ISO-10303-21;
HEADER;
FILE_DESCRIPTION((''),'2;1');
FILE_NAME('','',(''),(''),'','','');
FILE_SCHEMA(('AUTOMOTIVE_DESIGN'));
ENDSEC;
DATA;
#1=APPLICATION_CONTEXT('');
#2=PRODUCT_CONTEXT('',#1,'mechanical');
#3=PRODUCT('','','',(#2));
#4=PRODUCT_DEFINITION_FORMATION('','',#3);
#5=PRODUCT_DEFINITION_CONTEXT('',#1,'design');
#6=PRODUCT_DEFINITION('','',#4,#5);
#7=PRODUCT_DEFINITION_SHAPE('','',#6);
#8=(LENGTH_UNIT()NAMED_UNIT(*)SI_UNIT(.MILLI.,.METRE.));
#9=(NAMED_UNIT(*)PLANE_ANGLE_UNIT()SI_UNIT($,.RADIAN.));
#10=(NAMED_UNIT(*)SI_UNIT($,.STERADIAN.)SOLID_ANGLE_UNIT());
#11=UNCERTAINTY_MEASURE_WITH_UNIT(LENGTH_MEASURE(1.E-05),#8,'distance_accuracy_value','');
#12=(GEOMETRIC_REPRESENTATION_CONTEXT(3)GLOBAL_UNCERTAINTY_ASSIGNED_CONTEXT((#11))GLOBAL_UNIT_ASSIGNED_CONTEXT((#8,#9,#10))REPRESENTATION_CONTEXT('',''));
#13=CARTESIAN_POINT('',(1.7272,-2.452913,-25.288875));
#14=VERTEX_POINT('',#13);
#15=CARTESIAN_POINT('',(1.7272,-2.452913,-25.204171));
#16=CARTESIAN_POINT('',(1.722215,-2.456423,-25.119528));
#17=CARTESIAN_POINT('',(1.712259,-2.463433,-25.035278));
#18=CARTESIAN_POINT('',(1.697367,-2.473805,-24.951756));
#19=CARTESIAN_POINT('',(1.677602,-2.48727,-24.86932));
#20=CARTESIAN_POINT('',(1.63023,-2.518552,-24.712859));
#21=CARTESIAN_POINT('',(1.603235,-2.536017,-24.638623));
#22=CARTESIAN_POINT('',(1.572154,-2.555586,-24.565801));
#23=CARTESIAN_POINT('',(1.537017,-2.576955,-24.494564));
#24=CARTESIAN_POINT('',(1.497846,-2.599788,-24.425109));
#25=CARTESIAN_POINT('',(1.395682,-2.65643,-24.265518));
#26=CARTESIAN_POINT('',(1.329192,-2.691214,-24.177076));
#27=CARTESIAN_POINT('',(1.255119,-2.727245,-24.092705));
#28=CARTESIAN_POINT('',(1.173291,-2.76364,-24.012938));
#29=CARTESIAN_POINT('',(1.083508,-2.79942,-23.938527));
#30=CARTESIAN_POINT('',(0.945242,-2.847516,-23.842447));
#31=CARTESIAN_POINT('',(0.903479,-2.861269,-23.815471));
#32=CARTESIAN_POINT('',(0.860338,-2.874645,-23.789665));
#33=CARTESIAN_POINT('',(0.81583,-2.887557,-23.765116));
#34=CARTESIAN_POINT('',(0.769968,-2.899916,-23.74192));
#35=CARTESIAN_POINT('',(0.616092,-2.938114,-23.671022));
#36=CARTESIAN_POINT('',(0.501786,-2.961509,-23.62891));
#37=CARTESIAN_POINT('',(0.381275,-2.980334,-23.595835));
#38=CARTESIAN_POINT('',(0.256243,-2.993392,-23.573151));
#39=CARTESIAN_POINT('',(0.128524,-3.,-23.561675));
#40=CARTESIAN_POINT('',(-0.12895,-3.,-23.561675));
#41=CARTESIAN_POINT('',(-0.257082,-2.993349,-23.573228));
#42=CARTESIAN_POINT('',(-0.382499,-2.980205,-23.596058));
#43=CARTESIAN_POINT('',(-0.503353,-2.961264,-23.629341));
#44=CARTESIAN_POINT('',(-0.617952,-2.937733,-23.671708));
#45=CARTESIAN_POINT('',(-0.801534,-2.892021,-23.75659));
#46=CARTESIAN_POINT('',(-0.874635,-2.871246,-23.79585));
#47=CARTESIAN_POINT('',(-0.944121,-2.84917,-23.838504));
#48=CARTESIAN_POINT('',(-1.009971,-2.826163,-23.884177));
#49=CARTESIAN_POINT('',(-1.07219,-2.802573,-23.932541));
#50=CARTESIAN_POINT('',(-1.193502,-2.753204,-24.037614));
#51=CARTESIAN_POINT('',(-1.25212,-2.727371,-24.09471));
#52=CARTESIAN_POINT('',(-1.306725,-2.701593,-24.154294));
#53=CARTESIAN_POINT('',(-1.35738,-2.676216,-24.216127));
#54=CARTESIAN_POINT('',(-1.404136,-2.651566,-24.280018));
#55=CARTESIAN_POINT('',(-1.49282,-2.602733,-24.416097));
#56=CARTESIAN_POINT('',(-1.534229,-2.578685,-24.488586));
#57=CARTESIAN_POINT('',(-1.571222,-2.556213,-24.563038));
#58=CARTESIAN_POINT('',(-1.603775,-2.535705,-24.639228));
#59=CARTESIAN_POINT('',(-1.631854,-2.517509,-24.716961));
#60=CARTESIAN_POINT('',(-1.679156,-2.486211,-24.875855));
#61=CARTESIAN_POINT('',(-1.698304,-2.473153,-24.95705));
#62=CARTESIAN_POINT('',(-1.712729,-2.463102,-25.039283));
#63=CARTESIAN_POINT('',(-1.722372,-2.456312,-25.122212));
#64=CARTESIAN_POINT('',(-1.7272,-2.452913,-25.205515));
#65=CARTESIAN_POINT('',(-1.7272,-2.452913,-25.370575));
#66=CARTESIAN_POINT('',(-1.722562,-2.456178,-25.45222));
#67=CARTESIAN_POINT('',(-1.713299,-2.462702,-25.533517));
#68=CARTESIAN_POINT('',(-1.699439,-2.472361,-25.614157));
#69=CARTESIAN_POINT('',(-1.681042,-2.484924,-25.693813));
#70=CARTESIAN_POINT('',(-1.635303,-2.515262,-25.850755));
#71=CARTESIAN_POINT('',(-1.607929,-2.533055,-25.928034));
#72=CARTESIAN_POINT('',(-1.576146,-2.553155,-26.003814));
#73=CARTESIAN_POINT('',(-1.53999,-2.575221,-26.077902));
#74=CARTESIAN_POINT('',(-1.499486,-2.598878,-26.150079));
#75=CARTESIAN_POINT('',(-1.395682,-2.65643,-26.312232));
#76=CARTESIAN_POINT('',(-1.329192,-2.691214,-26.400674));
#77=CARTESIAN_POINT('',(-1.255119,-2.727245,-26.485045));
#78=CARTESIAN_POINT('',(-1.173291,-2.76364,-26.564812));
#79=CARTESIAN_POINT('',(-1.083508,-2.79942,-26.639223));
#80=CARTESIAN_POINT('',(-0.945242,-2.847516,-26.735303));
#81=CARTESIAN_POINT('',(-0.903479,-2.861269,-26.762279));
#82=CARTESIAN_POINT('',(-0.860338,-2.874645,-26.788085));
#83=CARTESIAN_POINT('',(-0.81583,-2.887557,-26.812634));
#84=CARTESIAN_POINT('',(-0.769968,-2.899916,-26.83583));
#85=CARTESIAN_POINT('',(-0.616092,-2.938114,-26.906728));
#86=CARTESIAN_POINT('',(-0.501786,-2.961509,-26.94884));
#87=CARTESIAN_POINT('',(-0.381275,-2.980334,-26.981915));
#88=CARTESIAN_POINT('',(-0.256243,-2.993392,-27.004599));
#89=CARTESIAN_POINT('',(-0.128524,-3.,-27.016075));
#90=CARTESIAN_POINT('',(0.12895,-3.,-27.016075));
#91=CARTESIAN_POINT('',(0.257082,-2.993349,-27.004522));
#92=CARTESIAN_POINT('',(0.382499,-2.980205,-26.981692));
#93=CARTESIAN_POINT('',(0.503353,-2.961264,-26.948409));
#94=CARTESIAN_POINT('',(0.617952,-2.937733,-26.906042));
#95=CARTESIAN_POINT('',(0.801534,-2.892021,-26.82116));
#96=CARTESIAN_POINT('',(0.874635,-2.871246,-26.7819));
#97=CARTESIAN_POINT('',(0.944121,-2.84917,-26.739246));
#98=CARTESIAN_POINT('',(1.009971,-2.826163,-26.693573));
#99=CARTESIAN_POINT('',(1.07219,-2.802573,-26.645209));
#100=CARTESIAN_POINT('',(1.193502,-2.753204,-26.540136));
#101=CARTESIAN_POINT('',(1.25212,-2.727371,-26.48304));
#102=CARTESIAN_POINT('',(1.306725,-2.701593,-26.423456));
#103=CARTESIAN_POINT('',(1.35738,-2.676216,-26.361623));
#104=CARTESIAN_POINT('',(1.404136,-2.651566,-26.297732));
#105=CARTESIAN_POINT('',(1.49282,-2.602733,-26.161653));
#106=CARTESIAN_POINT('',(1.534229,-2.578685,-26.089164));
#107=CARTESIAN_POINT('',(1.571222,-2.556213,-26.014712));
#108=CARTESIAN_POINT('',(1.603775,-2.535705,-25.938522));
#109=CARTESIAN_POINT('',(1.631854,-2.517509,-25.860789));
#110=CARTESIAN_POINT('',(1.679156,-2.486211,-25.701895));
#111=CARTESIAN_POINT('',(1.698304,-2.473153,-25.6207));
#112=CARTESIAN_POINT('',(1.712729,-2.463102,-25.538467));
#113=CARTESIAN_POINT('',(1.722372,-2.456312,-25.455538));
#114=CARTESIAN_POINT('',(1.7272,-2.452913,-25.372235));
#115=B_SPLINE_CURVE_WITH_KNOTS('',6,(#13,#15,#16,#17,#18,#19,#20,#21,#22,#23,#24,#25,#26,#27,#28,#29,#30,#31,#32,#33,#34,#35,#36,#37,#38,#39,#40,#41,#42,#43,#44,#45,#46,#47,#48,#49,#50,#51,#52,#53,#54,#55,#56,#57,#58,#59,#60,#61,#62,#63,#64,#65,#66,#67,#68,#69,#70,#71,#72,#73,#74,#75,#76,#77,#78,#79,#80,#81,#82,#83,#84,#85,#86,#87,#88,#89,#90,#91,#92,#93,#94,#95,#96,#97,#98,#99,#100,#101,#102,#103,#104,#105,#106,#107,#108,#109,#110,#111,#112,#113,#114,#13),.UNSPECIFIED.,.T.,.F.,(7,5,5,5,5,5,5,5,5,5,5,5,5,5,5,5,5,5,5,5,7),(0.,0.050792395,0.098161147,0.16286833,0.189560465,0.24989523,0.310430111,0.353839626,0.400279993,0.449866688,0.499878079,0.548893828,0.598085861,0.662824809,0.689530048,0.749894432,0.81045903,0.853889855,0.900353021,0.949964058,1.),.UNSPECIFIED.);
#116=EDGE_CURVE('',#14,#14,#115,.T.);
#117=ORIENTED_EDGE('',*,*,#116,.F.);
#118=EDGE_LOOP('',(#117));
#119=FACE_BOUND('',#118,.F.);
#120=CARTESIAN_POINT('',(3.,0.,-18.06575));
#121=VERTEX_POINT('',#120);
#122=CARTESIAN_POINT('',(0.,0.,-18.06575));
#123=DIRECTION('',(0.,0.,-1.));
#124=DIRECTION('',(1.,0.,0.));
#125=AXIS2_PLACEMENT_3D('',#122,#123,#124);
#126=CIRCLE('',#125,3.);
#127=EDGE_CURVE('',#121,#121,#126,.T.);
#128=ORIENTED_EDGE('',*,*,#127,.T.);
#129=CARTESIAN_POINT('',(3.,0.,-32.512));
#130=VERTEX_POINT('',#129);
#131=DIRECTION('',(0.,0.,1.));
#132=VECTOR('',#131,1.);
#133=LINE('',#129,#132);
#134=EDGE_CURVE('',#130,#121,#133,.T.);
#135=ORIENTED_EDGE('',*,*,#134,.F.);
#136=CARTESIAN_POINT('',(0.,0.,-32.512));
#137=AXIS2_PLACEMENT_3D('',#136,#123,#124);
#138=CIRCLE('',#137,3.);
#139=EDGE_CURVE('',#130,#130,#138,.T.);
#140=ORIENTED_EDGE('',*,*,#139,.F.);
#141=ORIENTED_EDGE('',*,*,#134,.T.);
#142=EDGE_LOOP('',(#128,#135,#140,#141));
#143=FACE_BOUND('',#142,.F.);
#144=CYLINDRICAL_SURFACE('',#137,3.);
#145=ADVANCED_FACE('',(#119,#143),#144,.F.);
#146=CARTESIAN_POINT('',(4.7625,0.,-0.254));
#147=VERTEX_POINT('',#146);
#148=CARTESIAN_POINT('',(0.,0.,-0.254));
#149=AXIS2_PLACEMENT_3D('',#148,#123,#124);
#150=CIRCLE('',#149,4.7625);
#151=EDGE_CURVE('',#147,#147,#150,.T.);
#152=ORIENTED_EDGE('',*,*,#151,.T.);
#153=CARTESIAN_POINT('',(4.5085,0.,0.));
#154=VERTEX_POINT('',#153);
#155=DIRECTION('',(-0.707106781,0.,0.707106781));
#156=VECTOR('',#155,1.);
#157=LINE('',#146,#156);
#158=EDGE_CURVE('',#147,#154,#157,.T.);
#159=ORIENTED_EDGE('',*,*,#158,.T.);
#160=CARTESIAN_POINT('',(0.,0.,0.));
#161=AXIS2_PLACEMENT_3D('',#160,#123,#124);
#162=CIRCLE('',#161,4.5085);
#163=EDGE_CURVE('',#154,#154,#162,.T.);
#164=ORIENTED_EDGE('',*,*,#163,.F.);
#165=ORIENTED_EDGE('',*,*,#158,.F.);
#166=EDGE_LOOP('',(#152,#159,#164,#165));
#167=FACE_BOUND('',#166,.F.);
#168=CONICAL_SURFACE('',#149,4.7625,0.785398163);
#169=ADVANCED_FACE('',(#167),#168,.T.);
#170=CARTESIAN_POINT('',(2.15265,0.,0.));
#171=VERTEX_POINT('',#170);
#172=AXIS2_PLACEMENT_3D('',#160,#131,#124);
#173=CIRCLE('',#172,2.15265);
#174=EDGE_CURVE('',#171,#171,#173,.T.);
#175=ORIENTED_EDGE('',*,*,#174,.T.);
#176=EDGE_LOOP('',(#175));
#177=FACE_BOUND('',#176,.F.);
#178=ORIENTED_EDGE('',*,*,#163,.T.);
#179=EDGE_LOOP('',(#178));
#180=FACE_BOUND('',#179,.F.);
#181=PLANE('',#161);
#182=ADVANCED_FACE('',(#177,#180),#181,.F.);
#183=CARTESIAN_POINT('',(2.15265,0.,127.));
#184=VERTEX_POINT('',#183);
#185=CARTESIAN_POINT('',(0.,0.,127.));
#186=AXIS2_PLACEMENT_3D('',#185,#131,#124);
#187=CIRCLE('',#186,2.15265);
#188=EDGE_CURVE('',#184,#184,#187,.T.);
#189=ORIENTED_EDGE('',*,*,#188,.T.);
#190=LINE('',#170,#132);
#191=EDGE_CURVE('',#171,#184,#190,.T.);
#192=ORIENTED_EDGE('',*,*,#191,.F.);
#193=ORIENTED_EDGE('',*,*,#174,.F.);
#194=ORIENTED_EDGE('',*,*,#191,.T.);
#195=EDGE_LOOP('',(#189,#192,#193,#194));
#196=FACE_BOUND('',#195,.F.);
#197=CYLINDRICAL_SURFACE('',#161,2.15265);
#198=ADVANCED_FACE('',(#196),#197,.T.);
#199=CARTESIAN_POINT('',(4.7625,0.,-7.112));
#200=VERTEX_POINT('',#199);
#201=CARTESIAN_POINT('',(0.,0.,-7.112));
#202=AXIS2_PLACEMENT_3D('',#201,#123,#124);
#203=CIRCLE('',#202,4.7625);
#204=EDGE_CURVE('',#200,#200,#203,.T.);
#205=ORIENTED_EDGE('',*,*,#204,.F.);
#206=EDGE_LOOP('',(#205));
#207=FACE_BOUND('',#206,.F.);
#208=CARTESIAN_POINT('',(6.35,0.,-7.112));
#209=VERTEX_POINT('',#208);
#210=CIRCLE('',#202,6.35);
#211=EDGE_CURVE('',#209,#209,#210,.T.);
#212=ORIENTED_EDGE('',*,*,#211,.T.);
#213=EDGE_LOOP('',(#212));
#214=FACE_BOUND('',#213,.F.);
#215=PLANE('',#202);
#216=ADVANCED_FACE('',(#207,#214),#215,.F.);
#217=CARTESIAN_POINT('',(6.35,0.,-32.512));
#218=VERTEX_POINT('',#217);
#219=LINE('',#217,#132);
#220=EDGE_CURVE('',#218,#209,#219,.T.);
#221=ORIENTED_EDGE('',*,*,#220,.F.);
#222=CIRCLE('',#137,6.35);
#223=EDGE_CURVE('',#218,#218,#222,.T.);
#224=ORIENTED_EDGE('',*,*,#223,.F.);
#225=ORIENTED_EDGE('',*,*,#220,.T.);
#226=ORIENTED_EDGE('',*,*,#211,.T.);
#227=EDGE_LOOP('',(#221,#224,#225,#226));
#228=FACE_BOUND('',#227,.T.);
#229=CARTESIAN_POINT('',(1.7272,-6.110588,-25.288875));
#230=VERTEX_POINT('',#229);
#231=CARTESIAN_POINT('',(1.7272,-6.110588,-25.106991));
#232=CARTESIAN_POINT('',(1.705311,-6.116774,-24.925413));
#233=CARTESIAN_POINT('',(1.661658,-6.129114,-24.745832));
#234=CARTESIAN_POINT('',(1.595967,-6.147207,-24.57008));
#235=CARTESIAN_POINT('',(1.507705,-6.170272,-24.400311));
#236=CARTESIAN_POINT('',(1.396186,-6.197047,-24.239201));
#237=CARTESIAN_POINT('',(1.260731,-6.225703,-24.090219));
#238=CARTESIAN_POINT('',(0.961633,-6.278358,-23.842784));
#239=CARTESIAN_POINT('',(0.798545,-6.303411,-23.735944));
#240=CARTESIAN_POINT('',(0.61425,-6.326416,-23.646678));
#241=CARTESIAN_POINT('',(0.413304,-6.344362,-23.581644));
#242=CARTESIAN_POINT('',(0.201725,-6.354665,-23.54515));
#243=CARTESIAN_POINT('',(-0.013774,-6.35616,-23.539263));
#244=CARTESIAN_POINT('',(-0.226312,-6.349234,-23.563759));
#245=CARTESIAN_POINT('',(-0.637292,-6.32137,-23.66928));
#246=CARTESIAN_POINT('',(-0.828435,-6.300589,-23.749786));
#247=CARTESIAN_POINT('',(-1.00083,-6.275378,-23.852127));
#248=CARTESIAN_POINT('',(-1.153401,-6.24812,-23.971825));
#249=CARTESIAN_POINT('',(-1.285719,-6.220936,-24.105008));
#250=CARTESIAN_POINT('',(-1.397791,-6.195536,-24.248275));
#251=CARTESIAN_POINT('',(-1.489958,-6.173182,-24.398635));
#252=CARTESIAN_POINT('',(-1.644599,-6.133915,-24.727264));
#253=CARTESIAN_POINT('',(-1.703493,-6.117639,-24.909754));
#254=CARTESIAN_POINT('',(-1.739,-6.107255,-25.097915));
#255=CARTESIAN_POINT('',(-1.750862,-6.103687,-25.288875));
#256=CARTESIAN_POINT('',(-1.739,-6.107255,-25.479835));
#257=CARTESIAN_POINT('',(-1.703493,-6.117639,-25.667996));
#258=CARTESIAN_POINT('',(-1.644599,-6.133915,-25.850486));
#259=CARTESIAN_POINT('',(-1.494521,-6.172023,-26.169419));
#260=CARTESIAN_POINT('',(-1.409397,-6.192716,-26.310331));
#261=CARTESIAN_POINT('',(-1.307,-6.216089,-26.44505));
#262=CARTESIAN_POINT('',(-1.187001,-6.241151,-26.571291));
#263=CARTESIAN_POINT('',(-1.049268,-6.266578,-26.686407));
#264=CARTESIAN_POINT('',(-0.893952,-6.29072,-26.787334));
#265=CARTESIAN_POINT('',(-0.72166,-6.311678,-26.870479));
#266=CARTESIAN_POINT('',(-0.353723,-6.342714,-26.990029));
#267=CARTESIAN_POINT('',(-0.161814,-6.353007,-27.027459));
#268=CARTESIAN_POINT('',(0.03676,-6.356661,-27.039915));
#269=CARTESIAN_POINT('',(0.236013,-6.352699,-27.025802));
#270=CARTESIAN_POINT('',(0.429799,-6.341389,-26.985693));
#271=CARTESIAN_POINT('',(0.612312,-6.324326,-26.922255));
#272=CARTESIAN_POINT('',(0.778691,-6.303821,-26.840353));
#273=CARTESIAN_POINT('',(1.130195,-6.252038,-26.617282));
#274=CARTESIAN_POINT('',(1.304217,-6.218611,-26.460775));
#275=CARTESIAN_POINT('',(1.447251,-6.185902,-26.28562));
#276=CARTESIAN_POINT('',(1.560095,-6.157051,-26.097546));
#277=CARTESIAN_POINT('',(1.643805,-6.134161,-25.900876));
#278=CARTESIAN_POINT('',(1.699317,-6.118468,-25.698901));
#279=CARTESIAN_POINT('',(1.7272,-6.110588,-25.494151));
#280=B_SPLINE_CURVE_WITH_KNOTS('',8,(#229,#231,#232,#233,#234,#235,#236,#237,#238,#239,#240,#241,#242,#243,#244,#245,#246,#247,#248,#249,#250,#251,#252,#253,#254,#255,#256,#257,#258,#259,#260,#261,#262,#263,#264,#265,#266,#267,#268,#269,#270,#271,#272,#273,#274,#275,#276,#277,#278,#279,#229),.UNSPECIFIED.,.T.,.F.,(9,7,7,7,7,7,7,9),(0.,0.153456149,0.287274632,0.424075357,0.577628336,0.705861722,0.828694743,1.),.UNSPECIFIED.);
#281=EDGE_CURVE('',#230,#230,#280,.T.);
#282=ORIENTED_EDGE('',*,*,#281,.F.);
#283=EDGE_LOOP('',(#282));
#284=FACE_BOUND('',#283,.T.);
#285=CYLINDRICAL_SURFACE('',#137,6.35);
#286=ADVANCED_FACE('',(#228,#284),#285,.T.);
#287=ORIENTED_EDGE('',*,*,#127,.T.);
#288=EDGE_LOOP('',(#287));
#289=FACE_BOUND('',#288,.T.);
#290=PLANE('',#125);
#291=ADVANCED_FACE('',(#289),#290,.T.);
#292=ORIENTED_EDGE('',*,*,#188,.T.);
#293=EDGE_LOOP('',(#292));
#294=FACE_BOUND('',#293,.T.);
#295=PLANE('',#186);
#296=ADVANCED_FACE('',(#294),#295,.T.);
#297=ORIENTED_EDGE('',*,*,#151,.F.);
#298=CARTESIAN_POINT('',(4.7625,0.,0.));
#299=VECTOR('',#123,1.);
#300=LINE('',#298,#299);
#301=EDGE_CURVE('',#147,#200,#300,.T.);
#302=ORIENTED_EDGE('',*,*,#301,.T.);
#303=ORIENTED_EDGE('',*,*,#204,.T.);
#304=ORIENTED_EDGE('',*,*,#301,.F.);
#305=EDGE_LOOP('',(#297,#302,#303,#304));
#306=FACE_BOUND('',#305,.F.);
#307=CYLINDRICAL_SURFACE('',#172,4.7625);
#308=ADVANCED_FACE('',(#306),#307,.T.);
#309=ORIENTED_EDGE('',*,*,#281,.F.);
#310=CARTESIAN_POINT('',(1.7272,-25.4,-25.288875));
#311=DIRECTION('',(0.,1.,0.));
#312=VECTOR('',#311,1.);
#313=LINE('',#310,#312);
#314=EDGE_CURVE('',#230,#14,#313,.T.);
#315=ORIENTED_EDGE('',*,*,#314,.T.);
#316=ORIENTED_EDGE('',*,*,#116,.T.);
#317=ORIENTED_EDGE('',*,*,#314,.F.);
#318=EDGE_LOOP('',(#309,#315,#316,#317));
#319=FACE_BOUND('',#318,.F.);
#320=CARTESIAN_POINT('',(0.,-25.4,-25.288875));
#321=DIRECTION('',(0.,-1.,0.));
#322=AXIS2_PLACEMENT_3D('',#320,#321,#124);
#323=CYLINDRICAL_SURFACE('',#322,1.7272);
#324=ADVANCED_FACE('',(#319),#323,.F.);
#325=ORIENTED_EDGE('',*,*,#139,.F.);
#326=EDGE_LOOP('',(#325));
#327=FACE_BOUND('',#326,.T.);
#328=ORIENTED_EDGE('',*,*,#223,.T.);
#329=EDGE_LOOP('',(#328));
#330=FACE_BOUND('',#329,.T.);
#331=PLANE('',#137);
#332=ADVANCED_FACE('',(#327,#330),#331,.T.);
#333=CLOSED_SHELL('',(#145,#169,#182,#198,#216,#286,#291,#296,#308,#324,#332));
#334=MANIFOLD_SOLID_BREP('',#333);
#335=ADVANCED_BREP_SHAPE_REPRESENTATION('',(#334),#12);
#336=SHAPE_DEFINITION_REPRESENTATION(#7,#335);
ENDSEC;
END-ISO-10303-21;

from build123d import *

# Parameters (mm, degrees)
F0_R      = 2.15265
F1_DEPTH  = 127
F2_R      = 4.7625
F3_DEPTH  = 7.112
F4_W      = 50.8
F4_H      = 50.8
F5_DEPTH  = 25.4
F6_R      = 3
F7_DEPTH  = 14.44625
F8_R      = 1.7272
F9_DEPTH  = 23.9470875132
F10_W     = 50.8
F10_H     = 50.8
F10_R     = 6.35
F11_DEPTH = 25.4
F12_SIZE  = 0.254


with BuildPart() as f1:
    # F0 (on Top) → F1 (new body)
    with BuildSketch(Plane.XY):
        Circle(F0_R)
    extrude(amount=F1_DEPTH)

    # F2 (on face) → F3 (join)
    with BuildSketch(Plane(origin=(0, 0, 0), x_dir=(1, 0, 0), z_dir=(0, 0, -1))):
        Circle(F2_R)
    extrude(amount=F3_DEPTH)

    # F4 (on face) → F5 (join)
    with BuildSketch(Plane(origin=(0, 0, -7.112), x_dir=(1, 0, 0), z_dir=(0, 0, -1))):
        Rectangle(F4_W, F4_H)
    extrude(amount=F5_DEPTH)

    # F6 (on face) → F7 (cut)
    with BuildSketch(Plane(origin=(0, 0, -32.512), x_dir=(1, 0, 0), z_dir=(0, 0, -1))):
        Circle(F6_R)
    extrude(amount=-F7_DEPTH, mode=Mode.SUBTRACT)

    # F8 (on face) → F9 (cut, up to face)
    with BuildSketch(Plane.XZ.offset(25.4)):
        with Locations((0, -25.288875)):
            Circle(F8_R)
    extrude(amount=-F9_DEPTH, mode=Mode.SUBTRACT)

    # F10 (on face) → F11 (cut, through all)
    with BuildSketch(Plane(origin=(0, 0, -32.512), x_dir=(1, 0, 0), z_dir=(0, 0, -1))):
        Rectangle(F10_W, F10_H)
        Circle(F10_R, mode=Mode.SUBTRACT)
    extrude(amount=-F11_DEPTH, mode=Mode.SUBTRACT)

    # F12
    f12_edges = [f1.edges().sort_by_distance(p)[0] for p in [
        (-4.7625, 0, 0),
    ]]
    chamfer(f12_edges, length=F12_SIZE)


solid = f1.part
